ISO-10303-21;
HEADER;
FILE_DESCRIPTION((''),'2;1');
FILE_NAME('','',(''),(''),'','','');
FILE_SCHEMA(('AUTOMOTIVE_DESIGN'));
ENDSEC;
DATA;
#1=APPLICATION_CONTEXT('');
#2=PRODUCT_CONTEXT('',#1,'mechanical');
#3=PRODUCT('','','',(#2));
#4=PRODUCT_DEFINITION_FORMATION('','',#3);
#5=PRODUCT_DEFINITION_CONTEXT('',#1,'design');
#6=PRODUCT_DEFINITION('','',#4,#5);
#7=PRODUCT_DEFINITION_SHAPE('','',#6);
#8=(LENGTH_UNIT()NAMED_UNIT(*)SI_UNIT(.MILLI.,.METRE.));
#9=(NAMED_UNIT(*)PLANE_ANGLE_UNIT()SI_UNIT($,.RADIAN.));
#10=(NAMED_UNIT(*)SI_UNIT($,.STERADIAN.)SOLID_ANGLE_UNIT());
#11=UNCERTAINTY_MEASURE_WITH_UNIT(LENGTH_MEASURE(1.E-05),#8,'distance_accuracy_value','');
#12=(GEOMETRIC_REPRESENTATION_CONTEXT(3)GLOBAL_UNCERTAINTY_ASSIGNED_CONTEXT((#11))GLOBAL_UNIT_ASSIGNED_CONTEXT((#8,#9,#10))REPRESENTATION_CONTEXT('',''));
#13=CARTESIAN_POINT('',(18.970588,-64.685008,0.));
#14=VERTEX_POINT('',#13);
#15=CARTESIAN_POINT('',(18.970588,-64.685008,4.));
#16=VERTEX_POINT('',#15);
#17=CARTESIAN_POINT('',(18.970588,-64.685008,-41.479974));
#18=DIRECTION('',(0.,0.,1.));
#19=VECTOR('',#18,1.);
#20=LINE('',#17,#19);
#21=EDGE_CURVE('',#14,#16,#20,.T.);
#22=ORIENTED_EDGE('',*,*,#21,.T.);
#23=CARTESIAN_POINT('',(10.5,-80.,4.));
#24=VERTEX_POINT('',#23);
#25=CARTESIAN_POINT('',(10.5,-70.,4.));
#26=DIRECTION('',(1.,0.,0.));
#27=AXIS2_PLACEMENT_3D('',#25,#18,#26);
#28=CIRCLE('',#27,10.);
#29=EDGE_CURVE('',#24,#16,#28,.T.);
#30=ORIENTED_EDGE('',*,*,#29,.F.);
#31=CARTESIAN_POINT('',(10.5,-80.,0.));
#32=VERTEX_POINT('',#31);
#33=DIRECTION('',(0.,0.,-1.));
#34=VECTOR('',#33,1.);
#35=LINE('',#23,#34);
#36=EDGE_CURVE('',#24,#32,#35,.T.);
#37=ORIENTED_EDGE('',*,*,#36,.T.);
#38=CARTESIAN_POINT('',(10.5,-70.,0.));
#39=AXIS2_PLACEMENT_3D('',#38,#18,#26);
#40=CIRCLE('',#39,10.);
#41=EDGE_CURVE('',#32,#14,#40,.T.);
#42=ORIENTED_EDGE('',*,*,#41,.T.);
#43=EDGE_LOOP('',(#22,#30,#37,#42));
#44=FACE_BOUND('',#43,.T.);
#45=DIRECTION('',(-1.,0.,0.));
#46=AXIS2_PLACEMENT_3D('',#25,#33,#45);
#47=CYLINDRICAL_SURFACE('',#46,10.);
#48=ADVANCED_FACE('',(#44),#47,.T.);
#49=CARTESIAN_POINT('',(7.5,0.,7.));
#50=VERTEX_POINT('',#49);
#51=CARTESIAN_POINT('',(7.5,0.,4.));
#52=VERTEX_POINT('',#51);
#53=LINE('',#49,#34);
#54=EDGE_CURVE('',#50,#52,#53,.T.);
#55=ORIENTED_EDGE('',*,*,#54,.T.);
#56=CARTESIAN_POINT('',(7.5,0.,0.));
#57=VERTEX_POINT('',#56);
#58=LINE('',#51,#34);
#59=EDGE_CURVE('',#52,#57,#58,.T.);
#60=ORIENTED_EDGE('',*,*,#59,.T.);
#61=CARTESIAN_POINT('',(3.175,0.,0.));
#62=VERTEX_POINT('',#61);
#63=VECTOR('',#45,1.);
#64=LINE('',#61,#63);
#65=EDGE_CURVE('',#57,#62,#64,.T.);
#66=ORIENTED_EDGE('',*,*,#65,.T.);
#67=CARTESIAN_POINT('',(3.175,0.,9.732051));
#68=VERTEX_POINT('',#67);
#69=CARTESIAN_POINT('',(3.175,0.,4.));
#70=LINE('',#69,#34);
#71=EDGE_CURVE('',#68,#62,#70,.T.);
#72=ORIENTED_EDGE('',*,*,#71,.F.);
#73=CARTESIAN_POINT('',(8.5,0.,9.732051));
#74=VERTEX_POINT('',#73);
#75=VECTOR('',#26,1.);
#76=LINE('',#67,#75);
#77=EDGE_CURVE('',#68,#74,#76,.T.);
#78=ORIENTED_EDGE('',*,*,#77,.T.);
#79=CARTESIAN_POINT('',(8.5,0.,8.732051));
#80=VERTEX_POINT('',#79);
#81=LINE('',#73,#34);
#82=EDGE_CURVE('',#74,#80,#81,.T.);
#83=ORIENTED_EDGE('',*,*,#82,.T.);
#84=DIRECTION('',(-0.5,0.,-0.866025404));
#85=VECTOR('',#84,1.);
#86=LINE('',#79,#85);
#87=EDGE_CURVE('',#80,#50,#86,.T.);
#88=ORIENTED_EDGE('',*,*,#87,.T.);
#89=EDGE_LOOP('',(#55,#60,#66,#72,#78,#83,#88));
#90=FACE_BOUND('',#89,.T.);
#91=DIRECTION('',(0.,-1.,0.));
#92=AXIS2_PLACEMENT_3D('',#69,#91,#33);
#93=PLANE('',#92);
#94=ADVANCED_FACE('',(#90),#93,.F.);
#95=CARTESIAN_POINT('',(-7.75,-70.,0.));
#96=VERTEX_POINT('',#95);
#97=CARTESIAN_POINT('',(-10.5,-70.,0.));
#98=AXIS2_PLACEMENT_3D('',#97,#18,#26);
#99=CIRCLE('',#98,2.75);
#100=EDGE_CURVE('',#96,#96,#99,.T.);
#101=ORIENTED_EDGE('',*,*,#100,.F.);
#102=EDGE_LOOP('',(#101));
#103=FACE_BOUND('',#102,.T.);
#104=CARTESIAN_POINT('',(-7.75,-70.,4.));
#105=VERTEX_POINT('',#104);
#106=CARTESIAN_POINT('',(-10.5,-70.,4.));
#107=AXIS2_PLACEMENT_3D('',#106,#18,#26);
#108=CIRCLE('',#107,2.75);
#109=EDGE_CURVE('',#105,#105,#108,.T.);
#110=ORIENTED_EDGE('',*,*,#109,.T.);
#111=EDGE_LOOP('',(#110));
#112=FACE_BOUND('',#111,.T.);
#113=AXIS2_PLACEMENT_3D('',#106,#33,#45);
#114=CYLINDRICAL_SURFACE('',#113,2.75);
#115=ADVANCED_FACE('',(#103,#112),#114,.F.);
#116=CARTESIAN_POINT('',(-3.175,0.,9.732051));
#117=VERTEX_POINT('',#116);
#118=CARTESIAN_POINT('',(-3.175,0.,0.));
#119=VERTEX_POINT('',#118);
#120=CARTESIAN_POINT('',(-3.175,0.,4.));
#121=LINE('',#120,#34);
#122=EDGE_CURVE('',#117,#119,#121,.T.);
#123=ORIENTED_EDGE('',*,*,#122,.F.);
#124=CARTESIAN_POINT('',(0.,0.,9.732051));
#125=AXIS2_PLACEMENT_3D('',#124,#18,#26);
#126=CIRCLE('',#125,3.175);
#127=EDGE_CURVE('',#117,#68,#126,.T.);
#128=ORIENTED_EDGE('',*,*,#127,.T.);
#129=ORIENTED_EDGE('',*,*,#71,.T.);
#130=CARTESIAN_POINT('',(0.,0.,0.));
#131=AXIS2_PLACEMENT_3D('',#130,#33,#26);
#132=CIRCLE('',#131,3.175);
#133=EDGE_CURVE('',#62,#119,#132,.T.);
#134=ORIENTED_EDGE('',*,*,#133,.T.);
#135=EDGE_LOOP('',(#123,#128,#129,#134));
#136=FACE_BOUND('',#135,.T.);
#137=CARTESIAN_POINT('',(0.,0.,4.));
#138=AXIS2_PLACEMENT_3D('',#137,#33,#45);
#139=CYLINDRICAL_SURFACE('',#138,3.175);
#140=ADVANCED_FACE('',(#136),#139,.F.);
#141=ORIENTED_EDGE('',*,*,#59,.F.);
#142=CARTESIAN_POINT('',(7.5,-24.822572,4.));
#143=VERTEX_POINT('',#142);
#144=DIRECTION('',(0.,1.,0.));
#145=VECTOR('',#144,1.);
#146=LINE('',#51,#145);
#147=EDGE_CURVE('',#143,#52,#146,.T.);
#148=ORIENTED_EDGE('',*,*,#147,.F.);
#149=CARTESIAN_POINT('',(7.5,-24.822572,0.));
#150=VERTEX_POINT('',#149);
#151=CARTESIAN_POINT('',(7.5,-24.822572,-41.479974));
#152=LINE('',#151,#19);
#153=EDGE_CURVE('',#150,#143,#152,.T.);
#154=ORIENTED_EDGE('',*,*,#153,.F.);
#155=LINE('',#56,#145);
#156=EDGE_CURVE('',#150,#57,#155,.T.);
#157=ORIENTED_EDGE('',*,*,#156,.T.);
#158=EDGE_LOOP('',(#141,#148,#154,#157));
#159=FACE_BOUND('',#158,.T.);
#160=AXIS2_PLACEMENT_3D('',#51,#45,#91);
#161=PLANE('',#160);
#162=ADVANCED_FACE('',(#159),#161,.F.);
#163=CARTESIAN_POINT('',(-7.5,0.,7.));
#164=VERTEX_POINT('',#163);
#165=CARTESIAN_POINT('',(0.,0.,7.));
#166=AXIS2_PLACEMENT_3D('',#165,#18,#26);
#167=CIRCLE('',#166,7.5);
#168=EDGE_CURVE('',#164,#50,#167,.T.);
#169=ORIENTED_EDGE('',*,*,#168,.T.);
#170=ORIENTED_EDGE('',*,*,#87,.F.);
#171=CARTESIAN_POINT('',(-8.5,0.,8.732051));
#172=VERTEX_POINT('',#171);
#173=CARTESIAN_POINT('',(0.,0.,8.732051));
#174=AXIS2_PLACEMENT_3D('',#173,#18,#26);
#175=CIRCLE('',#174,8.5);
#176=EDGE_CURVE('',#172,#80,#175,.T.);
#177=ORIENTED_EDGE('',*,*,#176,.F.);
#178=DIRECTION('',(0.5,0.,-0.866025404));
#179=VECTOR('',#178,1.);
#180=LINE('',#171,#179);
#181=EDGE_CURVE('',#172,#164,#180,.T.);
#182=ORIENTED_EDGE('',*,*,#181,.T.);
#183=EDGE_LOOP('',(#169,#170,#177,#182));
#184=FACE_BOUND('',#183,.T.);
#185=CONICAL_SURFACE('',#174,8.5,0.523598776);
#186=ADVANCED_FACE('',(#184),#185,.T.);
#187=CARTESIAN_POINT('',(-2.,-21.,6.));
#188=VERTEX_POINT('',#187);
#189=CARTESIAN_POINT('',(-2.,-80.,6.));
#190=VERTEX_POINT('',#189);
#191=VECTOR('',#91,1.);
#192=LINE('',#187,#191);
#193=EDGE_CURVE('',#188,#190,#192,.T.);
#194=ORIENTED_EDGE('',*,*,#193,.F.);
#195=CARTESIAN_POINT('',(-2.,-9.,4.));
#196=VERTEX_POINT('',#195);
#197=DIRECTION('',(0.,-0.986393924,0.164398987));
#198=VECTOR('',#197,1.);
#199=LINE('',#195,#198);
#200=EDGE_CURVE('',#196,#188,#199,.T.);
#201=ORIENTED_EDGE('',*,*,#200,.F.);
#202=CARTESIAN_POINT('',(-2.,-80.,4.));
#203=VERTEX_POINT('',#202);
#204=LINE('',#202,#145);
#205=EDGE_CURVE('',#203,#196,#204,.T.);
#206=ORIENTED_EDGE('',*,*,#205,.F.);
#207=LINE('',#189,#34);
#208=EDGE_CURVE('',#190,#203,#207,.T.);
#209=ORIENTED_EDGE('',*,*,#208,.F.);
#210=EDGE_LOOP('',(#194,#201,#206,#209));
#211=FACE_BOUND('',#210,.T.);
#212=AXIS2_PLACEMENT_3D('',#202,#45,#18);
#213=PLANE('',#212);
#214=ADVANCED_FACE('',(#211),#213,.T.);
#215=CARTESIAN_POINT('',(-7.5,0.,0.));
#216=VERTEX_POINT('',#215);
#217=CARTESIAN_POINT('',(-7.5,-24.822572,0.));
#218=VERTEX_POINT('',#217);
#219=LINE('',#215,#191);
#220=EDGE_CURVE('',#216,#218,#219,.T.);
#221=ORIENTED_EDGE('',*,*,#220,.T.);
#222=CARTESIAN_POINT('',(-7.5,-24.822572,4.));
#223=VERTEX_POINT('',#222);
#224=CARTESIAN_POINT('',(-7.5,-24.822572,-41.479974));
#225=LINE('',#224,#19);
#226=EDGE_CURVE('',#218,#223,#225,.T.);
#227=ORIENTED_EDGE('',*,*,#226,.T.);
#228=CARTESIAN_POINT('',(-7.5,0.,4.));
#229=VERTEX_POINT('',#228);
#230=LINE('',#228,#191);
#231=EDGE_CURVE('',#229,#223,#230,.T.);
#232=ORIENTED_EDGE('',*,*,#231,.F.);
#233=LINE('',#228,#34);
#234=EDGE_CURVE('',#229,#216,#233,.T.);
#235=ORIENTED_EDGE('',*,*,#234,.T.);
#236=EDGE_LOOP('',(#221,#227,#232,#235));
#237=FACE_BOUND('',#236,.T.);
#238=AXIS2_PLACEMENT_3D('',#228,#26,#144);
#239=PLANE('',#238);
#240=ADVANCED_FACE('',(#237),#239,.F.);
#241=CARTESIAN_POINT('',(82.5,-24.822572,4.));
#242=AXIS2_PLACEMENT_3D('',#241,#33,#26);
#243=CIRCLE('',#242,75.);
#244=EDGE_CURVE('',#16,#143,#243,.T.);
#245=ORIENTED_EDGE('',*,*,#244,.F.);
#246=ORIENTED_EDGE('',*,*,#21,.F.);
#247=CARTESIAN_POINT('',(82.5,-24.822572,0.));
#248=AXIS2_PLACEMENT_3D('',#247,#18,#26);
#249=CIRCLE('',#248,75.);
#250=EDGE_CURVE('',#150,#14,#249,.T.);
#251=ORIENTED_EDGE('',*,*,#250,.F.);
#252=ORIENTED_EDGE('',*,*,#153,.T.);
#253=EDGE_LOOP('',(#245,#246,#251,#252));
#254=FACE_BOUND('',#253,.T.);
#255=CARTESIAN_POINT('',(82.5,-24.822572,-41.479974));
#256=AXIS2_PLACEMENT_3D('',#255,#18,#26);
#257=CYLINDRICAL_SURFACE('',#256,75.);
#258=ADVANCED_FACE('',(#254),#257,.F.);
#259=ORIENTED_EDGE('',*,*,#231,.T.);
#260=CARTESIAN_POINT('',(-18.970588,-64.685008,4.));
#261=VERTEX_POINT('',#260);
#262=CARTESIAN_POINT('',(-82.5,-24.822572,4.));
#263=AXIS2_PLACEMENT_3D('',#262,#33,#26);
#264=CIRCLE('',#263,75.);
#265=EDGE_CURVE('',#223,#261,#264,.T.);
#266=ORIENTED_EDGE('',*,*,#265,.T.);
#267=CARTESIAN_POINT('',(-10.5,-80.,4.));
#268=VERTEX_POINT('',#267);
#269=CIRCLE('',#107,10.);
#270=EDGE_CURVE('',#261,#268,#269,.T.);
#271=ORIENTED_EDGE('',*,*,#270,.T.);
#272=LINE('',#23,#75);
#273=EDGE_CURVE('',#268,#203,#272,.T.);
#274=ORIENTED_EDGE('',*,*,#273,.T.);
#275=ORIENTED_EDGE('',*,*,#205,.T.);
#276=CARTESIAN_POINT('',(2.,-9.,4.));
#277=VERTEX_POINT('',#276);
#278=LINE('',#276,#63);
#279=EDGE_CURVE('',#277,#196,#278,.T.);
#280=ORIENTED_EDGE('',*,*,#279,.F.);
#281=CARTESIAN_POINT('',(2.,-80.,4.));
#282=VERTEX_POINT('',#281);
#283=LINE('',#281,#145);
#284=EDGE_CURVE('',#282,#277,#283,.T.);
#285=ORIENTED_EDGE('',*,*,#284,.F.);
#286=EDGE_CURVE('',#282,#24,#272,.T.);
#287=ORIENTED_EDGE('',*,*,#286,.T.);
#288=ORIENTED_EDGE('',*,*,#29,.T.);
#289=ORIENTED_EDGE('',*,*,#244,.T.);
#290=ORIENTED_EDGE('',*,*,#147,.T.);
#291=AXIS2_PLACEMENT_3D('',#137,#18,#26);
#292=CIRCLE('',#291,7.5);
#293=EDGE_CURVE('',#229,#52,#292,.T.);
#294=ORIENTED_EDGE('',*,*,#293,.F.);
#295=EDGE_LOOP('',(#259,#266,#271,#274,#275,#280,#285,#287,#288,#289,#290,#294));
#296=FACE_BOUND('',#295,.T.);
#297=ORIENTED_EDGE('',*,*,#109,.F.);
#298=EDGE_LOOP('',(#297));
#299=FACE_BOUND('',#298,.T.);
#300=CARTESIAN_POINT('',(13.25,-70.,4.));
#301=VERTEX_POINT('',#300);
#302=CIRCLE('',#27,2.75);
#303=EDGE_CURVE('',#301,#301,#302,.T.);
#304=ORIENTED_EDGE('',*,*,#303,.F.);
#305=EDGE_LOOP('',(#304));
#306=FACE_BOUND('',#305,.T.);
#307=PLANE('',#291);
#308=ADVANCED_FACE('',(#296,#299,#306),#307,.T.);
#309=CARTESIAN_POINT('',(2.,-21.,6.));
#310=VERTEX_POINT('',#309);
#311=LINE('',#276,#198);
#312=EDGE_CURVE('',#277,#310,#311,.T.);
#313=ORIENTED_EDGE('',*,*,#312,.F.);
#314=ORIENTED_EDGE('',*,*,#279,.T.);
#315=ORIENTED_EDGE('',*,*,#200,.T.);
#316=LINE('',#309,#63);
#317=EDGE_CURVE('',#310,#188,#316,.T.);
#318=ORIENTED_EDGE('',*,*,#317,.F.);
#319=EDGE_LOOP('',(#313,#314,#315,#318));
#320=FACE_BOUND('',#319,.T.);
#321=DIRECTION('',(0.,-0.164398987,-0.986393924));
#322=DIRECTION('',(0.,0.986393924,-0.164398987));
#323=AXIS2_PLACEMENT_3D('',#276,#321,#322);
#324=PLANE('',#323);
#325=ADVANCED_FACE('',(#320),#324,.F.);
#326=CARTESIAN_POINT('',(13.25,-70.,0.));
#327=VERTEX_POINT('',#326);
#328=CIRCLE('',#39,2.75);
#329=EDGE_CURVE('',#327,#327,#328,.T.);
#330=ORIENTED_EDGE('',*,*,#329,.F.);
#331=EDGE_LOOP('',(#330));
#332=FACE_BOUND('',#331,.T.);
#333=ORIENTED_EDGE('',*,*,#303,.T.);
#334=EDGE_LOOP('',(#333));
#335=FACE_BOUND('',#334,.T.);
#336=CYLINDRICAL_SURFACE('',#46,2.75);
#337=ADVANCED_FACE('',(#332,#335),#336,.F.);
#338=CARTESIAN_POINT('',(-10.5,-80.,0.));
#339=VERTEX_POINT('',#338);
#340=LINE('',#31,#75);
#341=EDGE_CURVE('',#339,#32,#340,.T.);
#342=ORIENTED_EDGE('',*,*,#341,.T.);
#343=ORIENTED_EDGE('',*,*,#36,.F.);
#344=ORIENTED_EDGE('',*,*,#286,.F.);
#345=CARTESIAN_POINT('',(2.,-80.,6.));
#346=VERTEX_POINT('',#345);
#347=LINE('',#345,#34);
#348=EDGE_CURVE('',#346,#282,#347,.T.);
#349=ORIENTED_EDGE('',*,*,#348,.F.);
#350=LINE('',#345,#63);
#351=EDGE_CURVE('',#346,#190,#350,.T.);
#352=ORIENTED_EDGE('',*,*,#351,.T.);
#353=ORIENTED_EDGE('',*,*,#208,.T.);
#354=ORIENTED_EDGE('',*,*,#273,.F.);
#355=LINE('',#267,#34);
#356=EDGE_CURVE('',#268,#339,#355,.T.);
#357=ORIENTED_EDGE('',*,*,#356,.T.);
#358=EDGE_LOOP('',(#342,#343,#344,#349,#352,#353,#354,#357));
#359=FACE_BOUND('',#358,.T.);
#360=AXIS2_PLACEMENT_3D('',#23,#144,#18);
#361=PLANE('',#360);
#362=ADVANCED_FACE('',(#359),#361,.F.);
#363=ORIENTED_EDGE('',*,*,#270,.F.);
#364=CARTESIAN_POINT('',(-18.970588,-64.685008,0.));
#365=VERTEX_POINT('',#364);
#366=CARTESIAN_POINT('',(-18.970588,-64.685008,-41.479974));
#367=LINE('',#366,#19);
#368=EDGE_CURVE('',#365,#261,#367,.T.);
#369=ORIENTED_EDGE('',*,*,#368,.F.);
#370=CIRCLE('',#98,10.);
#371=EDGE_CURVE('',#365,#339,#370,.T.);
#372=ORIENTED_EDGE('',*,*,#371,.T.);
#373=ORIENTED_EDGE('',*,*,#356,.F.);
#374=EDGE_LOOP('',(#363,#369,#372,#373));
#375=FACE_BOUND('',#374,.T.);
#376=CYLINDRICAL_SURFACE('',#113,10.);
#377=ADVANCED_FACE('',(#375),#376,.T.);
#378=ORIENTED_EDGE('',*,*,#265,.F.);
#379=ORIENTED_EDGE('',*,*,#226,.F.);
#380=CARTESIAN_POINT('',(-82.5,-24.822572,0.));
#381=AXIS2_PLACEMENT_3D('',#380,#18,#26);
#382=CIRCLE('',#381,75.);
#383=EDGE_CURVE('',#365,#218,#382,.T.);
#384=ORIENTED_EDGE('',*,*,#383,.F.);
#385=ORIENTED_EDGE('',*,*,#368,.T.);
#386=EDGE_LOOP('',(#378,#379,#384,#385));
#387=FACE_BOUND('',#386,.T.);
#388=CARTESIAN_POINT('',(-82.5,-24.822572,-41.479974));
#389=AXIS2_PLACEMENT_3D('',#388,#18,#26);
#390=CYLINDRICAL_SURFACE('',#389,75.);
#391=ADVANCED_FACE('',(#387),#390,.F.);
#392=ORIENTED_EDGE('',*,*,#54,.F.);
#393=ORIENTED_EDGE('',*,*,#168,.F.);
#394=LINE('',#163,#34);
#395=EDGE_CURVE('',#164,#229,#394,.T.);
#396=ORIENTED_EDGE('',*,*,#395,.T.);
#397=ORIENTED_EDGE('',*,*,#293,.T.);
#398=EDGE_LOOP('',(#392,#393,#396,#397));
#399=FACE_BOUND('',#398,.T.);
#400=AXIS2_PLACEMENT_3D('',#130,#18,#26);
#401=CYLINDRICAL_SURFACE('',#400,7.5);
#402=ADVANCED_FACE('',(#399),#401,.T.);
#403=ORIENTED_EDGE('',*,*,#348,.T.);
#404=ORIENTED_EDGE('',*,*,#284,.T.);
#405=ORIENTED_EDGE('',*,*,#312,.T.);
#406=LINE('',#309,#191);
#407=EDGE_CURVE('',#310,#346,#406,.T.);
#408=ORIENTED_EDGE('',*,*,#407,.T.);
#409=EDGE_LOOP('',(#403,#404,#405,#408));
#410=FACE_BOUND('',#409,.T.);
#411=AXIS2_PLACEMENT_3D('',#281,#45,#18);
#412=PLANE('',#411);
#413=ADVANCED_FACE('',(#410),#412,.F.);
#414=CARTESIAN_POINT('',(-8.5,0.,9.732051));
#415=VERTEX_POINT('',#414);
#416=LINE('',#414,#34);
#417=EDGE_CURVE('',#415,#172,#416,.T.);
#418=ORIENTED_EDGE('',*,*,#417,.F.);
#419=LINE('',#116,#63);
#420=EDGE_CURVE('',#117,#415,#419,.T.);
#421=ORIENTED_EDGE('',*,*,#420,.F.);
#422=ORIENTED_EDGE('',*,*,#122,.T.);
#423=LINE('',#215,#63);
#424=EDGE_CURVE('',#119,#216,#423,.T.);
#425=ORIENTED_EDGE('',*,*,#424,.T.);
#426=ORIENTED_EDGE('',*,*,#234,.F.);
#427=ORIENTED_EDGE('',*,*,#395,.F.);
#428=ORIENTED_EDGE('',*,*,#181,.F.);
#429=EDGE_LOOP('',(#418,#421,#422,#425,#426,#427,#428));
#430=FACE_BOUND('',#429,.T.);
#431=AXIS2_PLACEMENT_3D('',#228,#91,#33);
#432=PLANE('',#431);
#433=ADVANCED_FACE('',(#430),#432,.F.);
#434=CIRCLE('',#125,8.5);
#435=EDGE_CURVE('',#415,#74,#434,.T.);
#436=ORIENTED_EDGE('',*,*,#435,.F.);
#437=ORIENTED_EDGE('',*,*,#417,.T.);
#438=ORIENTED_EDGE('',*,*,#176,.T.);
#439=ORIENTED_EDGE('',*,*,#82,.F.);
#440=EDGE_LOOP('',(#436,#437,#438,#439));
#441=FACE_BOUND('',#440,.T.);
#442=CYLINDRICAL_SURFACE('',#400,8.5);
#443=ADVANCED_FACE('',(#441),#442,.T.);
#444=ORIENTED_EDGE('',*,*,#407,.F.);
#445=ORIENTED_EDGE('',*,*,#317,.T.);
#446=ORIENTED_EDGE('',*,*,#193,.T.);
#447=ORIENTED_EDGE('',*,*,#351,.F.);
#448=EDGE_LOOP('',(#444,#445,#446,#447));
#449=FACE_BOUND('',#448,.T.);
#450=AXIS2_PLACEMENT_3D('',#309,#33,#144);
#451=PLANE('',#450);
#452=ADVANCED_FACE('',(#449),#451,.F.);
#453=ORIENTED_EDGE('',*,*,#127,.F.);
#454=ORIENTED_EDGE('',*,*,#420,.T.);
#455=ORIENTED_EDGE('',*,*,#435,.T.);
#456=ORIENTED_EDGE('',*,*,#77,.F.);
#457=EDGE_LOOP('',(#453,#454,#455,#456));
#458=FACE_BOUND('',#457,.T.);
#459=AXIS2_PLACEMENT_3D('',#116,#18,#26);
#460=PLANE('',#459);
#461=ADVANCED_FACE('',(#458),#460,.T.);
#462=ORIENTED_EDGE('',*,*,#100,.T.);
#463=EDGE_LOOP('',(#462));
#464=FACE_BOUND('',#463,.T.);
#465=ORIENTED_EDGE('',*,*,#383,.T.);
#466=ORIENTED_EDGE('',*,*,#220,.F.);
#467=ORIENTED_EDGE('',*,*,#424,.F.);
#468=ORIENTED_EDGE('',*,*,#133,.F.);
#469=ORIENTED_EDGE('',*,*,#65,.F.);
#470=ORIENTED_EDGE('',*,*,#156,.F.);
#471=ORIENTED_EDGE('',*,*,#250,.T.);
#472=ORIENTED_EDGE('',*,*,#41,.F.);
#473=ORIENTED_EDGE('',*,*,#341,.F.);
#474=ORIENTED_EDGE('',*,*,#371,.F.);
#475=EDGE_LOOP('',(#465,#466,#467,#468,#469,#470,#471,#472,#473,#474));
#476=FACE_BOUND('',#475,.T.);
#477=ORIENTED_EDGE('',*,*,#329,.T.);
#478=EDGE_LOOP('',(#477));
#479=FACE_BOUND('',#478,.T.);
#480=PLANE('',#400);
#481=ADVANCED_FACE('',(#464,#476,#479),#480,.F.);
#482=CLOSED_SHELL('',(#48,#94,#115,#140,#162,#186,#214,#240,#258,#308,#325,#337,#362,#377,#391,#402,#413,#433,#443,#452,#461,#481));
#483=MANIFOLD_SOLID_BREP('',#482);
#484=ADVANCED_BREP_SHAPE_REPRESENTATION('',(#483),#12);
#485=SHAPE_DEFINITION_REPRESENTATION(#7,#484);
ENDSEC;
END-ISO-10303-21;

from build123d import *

# Parameters (mm, degrees)
SKETCH1_R           = 2.75
BOSS_EXTRUDE1_DEPTH = 4
REVOLVE1_ANGLE      = 180
BOSS_EXTRUDE2_DEPTH = 2
BOSS_EXTRUDE3_DEPTH = 4


with BuildPart() as part:
    # Sketch1 → Boss-Extrude1 (new body)
    with BuildSketch(Plane.XY):
        with BuildLine():
            Line((-10.5, -60), (-7.5, -60))
            Line((-7.5, -60), (-7.5, 0))
            Line((-7.5, 0), (-3.175, 0))
            ThreePointArc((-3.175, 0), (0, -3.175), (3.175, 0))
            Line((3.175, 0), (7.5, 0))
            Line((7.5, 0), (7.5, -60))
            Line((7.5, -60), (10.5, -60))
            ThreePointArc((10.5, -60), (20.5, -70), (10.5, -80))
            Line((10.5, -80), (-10.5, -80))
            ThreePointArc((-10.5, -80), (-20.5, -70), (-10.5, -60))
        make_face()
        with Locations((-10.5, -70)):
            Circle(SKETCH1_R, mode=Mode.SUBTRACT)
        with Locations((10.5, -70)):
            Circle(SKETCH1_R, mode=Mode.SUBTRACT)
    extrude(amount=BOSS_EXTRUDE1_DEPTH)

    # Sketch2 → Revolve1 (revolve)
    with BuildSketch(Plane(origin=(0, 0, 0), x_dir=(1, 0, 0), z_dir=(0, 1, 0))):
        Polygon((7.5, -4), (3.175, -4), (3.175, -9.732050808), (8.5, -9.732050808), (8.5, -8.732050808), (7.5, -7), align=None)
    revolve(axis=Axis((0, 0, 0), (0, 0, -1)), revolution_arc=REVOLVE1_ANGLE)

    # Sketch3 → Boss-Extrude2 (add, symmetric)
    with BuildSketch(Plane(origin=(0, 0, 0), x_dir=(0, 0, -1), z_dir=(1, 0, 0))):
        Polygon((-4, -9), (-6, -21), (-6, -80), (-4, -80), align=None)
    extrude(amount=BOSS_EXTRUDE2_DEPTH, both=True)

    # Sketch4 → Boss-Extrude3 (add)
    with BuildSketch(Plane.XY.offset(4)):
        with BuildLine():
            Line((-7.5, -60), (-10.5, -60))
            ThreePointArc((-10.5, -60), (-15.339942392, -61.249288164), (-18.970588235, -64.685008471))
            ThreePointArc((-18.970588235, -64.685008471), (-10.424671758, -45.562558961), (-7.5, -24.822572008))
            Line((-7.5, -24.822572008), (-7.5, -60))
        make_face()
        with BuildLine():
            Line((7.5, -60), (7.5, -24.822572008))
            ThreePointArc((7.5, -24.822572008), (10.424671758, -45.562558961), (18.970588235, -64.685008471))
            ThreePointArc((18.970588235, -64.685008471), (15.339942392, -61.249288164), (10.5, -60))
            Line((10.5, -60), (7.5, -60))
        make_face()
    extrude(amount=-BOSS_EXTRUDE3_DEPTH)


solid = part.part
